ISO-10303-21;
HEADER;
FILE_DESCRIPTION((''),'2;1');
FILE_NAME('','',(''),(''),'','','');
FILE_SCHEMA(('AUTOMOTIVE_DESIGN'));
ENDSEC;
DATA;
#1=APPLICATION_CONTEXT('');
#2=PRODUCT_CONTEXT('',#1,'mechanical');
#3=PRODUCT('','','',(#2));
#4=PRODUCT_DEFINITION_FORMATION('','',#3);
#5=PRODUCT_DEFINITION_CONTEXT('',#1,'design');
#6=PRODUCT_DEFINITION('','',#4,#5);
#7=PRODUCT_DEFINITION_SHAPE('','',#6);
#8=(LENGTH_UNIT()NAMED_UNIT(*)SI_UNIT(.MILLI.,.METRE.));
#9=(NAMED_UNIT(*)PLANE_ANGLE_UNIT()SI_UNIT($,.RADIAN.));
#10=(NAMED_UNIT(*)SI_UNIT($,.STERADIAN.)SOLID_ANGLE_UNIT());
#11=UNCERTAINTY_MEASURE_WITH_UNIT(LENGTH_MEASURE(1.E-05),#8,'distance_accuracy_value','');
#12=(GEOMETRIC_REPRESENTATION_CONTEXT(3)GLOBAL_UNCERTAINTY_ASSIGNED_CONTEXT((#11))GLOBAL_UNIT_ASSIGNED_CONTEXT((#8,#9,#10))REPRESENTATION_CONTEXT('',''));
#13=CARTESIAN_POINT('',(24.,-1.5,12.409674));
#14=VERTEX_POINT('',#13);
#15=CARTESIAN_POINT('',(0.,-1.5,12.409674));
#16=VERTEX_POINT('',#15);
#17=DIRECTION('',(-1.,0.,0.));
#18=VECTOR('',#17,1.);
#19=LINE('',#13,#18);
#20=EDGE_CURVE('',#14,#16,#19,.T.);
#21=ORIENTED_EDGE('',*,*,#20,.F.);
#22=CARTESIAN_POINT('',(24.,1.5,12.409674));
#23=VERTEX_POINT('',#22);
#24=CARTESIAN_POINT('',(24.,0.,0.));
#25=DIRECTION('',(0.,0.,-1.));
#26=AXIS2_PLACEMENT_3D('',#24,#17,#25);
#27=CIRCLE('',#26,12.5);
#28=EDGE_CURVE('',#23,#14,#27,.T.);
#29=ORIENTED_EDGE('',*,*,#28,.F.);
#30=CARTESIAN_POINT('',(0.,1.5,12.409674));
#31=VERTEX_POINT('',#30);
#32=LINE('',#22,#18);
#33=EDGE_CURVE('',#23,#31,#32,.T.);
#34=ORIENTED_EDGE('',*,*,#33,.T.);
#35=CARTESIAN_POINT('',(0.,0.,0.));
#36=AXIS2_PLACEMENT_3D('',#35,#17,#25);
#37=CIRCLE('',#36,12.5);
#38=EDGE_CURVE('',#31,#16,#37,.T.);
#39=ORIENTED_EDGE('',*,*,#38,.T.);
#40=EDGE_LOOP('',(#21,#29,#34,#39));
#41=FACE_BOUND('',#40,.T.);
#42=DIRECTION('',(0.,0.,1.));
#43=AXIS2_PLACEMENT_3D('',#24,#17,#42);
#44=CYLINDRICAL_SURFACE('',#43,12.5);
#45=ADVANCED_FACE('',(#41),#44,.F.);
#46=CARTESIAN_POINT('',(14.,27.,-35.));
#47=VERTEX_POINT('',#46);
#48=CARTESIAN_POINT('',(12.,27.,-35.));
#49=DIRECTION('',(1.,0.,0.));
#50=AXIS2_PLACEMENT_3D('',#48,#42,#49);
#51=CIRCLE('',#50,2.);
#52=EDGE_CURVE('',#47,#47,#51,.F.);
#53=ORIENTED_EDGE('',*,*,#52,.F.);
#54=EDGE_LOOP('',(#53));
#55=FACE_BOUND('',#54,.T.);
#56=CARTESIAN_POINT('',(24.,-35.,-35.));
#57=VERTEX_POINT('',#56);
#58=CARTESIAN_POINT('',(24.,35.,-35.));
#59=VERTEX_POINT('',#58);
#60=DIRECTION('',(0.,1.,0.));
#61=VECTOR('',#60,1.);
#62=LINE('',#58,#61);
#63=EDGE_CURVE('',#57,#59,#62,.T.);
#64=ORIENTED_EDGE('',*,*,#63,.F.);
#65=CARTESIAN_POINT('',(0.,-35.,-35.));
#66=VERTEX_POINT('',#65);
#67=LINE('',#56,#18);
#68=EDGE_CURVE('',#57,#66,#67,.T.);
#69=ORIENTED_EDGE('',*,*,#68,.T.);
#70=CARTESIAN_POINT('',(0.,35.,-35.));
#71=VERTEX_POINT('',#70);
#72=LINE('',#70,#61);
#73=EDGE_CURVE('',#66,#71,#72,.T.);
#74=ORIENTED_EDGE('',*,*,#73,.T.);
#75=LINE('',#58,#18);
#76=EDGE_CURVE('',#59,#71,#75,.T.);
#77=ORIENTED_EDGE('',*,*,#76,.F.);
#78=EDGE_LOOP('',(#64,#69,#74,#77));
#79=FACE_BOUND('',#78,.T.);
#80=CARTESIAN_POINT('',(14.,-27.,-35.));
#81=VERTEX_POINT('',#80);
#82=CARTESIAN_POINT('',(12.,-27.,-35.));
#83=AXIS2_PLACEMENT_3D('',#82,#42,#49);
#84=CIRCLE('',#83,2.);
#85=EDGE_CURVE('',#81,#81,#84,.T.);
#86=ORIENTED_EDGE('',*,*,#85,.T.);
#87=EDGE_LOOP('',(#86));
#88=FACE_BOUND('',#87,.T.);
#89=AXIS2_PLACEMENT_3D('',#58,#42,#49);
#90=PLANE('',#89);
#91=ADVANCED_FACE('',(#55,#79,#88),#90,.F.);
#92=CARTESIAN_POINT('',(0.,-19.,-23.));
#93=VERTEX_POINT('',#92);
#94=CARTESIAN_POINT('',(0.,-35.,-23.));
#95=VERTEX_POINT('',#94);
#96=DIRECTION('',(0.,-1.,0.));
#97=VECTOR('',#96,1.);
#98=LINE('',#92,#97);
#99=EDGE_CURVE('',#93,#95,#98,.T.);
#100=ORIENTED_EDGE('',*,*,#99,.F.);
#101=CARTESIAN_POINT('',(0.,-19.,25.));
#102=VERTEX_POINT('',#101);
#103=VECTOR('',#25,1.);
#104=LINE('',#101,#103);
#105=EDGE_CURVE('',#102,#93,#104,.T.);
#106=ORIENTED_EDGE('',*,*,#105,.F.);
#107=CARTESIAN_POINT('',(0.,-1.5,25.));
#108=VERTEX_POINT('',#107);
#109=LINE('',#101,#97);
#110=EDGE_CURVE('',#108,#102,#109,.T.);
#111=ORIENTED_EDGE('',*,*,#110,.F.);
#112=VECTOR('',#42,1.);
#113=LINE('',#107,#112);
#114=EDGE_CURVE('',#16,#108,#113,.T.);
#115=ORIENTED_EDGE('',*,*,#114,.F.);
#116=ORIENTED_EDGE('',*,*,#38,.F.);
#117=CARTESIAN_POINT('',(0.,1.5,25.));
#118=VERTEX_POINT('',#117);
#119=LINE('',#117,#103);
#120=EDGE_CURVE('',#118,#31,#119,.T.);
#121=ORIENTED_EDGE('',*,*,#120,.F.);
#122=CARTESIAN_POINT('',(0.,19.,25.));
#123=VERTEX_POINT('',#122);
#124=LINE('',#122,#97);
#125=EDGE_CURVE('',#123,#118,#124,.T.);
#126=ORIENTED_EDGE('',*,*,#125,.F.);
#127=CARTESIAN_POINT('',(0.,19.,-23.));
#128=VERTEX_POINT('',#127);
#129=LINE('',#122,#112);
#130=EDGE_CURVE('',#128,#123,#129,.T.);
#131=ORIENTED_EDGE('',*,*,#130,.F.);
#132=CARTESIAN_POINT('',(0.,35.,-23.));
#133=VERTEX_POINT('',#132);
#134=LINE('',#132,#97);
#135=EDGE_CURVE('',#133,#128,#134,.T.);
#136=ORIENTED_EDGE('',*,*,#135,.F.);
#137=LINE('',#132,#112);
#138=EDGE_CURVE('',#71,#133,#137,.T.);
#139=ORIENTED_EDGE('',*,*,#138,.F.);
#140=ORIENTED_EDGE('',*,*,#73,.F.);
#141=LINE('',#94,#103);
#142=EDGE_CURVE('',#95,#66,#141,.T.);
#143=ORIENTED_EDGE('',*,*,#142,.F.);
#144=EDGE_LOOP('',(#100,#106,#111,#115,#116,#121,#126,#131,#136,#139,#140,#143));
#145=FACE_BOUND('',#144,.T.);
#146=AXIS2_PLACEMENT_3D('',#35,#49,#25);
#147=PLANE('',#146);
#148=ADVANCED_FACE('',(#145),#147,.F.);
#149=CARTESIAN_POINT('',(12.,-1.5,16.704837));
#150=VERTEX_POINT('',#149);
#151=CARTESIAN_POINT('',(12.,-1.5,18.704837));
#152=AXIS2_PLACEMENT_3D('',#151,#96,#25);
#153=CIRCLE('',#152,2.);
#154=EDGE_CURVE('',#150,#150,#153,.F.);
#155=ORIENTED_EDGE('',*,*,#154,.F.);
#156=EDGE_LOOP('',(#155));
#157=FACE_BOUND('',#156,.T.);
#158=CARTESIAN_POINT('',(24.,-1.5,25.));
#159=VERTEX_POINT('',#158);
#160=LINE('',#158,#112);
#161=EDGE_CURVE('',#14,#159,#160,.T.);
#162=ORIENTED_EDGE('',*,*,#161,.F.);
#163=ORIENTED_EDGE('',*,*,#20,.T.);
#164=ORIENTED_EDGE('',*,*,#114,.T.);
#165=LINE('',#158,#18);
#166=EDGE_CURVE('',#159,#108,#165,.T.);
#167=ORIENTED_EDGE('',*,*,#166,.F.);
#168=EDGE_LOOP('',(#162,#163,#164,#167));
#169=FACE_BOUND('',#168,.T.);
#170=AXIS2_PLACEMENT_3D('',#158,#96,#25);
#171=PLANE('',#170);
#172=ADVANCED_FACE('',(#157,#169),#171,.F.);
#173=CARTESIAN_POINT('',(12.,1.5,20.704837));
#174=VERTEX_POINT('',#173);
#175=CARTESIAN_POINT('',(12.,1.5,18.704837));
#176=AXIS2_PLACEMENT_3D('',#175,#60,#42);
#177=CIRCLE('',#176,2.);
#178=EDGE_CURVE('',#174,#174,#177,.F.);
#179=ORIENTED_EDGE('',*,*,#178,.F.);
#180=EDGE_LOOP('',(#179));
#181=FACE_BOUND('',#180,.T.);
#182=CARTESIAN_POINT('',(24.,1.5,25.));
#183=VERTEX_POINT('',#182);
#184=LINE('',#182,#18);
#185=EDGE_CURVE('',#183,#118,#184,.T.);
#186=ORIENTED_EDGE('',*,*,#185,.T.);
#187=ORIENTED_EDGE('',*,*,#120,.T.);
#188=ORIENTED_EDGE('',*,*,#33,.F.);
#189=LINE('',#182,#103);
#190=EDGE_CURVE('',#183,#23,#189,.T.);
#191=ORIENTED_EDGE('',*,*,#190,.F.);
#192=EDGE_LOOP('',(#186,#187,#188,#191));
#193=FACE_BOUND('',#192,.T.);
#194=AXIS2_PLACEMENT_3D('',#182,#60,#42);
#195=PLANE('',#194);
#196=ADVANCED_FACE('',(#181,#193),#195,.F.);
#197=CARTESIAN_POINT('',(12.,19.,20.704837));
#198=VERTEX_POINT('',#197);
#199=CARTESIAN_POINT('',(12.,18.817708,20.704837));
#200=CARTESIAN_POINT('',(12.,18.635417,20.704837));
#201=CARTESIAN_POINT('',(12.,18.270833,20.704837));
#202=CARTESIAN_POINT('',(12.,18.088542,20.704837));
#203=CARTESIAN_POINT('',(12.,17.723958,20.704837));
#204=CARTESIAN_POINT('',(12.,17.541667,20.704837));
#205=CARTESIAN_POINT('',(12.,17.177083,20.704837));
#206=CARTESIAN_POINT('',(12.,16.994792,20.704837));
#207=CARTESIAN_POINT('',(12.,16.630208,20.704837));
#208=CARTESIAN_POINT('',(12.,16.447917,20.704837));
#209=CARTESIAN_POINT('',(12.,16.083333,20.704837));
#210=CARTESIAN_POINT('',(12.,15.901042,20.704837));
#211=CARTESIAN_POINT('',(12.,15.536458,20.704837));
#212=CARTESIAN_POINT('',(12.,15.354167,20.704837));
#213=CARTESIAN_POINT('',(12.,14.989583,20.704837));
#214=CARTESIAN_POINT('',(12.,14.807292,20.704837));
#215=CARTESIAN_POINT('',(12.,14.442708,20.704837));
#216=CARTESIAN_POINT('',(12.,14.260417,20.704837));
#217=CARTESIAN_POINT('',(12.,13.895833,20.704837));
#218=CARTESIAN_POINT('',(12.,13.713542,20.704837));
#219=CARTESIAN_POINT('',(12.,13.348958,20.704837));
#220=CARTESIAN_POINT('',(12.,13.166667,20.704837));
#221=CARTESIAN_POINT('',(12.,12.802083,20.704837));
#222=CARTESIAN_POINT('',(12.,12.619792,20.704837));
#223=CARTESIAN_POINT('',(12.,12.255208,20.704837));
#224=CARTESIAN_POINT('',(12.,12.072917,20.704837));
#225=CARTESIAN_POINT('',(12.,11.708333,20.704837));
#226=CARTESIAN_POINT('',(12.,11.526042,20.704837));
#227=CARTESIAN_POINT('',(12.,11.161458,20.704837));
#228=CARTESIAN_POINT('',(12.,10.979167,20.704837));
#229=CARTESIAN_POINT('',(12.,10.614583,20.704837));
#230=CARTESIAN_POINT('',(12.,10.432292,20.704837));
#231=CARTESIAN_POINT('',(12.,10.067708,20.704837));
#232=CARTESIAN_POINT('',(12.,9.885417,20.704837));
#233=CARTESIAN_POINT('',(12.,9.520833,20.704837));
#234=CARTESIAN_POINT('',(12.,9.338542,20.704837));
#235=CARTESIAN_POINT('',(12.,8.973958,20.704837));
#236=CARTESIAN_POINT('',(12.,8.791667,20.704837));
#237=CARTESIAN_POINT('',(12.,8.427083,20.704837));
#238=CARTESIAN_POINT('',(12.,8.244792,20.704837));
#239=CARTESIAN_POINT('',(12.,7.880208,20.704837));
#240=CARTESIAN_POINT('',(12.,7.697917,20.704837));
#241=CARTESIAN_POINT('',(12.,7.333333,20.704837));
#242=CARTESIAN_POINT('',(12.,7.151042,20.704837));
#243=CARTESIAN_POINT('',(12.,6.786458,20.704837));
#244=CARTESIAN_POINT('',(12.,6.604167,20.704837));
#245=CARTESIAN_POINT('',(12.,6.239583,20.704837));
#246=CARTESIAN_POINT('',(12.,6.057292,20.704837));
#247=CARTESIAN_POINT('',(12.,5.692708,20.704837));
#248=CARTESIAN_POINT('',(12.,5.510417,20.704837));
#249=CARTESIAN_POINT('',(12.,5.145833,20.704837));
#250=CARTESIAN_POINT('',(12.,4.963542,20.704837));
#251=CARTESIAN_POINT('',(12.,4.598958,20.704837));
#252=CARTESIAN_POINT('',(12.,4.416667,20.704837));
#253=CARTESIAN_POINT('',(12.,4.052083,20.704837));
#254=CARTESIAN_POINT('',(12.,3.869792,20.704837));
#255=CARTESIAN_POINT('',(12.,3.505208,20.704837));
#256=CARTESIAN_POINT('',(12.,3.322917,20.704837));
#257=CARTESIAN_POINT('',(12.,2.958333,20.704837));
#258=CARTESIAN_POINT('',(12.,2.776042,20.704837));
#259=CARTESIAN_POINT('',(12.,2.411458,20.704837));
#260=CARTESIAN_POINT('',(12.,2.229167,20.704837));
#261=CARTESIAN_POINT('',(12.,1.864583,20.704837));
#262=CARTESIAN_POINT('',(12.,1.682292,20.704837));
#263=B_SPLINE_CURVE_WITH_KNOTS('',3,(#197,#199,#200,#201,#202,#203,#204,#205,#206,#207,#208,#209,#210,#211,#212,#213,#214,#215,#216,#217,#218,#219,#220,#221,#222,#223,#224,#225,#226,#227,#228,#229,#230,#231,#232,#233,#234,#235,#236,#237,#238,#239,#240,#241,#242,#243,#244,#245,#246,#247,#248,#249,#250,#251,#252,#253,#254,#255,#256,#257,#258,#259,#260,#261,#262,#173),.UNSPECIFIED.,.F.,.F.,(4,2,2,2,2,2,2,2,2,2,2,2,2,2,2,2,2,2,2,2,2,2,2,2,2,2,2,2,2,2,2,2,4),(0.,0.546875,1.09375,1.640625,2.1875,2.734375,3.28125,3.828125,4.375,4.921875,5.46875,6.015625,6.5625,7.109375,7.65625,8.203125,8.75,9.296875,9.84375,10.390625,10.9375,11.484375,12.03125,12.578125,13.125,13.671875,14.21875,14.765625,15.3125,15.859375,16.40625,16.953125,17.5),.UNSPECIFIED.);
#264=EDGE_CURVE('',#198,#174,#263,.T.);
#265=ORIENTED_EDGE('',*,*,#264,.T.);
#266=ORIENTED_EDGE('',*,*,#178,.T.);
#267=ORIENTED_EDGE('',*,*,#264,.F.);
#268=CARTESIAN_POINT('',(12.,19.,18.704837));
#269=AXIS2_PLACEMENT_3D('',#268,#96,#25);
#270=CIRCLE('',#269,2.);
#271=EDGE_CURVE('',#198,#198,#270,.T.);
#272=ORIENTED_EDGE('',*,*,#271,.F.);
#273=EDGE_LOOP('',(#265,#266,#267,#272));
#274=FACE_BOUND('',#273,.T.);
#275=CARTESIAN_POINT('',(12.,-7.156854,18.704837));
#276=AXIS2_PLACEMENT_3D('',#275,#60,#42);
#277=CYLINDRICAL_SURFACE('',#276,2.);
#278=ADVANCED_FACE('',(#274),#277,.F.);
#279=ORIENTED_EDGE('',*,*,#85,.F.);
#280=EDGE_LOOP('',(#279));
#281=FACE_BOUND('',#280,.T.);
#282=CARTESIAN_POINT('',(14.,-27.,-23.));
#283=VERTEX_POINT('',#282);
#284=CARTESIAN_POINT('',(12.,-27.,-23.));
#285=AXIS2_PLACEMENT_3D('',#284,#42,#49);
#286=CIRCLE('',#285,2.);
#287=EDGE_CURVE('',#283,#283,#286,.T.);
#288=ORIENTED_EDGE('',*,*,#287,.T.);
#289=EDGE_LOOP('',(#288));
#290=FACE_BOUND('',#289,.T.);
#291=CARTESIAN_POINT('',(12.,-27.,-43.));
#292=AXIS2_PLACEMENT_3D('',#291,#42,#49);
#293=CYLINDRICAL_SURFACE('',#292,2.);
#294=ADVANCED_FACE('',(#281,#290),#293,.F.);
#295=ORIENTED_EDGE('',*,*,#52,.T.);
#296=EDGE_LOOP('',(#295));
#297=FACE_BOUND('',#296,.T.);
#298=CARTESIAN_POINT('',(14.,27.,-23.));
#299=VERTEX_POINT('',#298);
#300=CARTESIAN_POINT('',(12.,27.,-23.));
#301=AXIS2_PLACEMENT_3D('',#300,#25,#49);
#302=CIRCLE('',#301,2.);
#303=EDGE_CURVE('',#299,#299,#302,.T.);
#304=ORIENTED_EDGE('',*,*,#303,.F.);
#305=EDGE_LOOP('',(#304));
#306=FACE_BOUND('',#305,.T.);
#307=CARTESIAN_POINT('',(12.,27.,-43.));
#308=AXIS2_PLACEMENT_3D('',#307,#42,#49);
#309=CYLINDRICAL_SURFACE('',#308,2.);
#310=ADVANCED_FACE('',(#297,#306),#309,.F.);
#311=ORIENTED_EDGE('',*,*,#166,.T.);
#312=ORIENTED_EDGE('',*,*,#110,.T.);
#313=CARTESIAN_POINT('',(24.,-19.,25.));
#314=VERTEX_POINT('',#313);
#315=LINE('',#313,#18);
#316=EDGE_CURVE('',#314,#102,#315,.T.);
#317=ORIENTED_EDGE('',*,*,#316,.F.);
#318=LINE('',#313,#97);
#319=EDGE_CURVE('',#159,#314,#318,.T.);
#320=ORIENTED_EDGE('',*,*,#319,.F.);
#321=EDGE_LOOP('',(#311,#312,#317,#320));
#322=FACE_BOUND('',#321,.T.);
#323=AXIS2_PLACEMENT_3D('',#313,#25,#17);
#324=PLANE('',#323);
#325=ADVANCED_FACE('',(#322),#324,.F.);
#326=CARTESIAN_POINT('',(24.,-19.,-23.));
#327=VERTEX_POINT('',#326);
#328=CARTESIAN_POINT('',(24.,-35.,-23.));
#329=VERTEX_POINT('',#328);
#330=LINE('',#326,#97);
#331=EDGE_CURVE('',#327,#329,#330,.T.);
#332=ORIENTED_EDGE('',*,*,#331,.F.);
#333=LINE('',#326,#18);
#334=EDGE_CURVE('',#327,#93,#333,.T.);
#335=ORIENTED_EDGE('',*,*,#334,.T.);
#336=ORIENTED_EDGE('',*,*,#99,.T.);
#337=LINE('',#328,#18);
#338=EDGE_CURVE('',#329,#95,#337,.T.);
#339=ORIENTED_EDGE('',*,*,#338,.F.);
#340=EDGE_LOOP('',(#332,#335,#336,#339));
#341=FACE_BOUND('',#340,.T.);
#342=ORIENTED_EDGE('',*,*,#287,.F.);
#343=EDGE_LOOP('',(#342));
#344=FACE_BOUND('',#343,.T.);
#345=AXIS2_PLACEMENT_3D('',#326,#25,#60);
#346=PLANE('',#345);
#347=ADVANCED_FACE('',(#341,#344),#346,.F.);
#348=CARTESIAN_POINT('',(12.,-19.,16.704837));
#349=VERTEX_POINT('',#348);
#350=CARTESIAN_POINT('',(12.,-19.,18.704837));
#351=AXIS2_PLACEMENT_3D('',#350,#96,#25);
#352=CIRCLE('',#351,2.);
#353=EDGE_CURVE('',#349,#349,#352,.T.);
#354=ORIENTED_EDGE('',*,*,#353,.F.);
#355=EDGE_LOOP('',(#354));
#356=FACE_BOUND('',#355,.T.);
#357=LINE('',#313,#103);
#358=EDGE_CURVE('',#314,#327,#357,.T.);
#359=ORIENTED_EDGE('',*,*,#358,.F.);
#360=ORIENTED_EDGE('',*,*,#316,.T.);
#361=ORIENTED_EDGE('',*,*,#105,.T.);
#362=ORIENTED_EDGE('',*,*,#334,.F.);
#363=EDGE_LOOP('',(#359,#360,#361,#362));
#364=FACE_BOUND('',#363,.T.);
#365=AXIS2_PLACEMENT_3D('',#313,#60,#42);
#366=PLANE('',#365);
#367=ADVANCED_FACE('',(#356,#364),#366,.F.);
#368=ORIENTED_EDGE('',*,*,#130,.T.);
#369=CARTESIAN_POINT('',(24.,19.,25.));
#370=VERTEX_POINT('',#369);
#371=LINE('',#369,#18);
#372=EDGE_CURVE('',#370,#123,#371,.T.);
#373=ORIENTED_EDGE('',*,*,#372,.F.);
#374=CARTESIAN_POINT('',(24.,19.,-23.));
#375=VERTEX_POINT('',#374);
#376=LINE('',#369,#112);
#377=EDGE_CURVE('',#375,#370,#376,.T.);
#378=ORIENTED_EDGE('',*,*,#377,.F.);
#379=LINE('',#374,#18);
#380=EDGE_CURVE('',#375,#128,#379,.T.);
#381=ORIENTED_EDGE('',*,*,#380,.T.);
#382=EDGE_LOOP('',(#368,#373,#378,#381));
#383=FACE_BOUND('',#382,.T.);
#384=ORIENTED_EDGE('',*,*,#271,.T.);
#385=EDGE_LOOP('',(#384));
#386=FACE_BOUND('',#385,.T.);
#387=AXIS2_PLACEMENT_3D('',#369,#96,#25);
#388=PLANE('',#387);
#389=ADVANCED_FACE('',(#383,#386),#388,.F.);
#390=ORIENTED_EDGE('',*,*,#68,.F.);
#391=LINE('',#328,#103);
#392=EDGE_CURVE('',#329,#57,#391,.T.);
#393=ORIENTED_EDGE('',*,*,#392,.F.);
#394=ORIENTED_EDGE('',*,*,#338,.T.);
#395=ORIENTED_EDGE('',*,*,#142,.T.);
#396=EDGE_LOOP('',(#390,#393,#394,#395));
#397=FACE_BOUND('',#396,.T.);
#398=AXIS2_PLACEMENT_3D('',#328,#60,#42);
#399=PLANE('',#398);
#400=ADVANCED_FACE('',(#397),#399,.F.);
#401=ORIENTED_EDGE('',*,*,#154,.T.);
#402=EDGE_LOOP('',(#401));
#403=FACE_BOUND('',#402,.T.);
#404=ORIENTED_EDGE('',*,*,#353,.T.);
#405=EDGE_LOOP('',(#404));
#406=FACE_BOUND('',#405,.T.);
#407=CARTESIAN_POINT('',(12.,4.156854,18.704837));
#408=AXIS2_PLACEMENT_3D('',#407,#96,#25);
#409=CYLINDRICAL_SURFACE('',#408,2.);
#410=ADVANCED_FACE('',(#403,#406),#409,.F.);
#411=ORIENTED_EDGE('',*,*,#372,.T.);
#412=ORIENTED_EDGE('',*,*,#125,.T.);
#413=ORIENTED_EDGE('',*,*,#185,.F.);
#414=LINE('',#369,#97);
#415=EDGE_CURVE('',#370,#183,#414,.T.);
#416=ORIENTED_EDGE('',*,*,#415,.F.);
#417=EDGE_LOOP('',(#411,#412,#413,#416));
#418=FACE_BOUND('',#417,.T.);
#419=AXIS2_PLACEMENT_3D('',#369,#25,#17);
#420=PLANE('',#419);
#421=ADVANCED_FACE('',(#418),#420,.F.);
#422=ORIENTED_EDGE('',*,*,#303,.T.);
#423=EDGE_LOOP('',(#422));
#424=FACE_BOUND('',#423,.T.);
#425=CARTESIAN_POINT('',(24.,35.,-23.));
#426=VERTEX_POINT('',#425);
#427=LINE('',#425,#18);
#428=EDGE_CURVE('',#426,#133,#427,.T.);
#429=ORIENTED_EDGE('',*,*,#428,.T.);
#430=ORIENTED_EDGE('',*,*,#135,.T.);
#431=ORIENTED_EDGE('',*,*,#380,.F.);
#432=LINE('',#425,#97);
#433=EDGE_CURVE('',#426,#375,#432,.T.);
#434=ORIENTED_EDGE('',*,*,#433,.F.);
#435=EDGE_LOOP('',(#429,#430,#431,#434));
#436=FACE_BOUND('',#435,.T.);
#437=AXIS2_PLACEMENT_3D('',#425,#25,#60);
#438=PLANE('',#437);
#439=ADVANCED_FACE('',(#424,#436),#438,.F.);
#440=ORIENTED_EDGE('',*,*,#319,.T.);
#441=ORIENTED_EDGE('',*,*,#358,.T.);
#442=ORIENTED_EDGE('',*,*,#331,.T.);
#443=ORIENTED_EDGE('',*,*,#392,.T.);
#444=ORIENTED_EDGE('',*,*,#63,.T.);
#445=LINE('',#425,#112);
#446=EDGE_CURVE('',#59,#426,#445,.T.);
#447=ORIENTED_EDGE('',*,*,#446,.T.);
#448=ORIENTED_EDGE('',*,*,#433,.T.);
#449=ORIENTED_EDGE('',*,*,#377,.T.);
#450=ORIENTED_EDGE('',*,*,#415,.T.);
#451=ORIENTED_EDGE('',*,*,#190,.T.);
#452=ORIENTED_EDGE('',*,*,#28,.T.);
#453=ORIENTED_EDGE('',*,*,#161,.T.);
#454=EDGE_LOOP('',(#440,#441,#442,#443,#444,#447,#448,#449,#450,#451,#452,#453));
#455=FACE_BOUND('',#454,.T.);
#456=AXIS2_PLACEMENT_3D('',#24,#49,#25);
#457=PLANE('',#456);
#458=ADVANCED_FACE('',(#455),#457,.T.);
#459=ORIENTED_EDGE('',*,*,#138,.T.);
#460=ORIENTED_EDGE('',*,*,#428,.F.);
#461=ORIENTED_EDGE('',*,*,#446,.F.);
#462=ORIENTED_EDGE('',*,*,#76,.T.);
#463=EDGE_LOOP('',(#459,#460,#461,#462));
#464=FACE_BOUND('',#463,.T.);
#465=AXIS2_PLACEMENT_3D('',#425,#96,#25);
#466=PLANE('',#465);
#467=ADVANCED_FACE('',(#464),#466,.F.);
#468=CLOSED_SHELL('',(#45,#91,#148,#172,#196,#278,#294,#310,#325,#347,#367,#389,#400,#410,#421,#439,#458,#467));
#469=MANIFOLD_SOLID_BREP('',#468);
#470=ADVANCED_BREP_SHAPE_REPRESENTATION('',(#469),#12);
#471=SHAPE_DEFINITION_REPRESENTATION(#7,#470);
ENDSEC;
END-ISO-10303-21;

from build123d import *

# Parameters (mm, degrees)
BOSS_EXTRUDE1_DEPTH = 24
SKETCH2_R           = 2
CUT_EXTRUDE1_DEPTH  = 20
SKETCH3_R           = 2
CUT_EXTRUDE2_DEPTH  = 20.5


with BuildPart() as part:
    # Sketch1 → Boss-Extrude1 (new body)
    with BuildSketch(Plane(origin=(0, 0, 0), x_dir=(0, 0, -1), z_dir=(1, 0, 0))):
        with BuildLine():
            Line((23, 35), (23, 19))
            Line((23, 19), (-25, 19))
            Line((-25, 19), (-25, 1.5))
            Line((-25, 1.5), (-12.409673646, 1.5))
            ThreePointArc((-12.409673646, 1.5), (12.5, 0), (-12.409673646, -1.5))
            Line((-12.409673646, -1.5), (-25, -1.5))
            Line((-25, -1.5), (-25, -19))
            Line((-25, -19), (23, -19))
            Line((23, -19), (23, -35))
            Line((23, -35), (35, -35))
            Line((35, -35), (35, 35))
            Line((35, 35), (23, 35))
        make_face()
    extrude(amount=BOSS_EXTRUDE1_DEPTH)

    # Sketch2 → Cut-Extrude1 (cut)
    with BuildSketch(Plane.XY.offset(-23)):
        with Locations((12, -27)):
            Circle(SKETCH2_R)
    cut_extrude1 = extrude(amount=-CUT_EXTRUDE1_DEPTH, mode=Mode.SUBTRACT)

    # Sketch3 → Cut-Extrude2 (cut)
    with BuildSketch(Plane.XZ.offset(19)):
        with Locations(Location((12, 18.704836823, 0), (0, 0, 270))):
            Circle(SKETCH3_R)
    cut_extrude2 = extrude(amount=-CUT_EXTRUDE2_DEPTH, mode=Mode.SUBTRACT)

    # Mirror1: Cut-Extrude1, Cut-Extrude2 across plane
    add(cut_extrude1.mirror(Plane.ZX), mode=Mode.SUBTRACT)
    add(cut_extrude2.mirror(Plane.ZX), mode=Mode.SUBTRACT)


solid = part.part
